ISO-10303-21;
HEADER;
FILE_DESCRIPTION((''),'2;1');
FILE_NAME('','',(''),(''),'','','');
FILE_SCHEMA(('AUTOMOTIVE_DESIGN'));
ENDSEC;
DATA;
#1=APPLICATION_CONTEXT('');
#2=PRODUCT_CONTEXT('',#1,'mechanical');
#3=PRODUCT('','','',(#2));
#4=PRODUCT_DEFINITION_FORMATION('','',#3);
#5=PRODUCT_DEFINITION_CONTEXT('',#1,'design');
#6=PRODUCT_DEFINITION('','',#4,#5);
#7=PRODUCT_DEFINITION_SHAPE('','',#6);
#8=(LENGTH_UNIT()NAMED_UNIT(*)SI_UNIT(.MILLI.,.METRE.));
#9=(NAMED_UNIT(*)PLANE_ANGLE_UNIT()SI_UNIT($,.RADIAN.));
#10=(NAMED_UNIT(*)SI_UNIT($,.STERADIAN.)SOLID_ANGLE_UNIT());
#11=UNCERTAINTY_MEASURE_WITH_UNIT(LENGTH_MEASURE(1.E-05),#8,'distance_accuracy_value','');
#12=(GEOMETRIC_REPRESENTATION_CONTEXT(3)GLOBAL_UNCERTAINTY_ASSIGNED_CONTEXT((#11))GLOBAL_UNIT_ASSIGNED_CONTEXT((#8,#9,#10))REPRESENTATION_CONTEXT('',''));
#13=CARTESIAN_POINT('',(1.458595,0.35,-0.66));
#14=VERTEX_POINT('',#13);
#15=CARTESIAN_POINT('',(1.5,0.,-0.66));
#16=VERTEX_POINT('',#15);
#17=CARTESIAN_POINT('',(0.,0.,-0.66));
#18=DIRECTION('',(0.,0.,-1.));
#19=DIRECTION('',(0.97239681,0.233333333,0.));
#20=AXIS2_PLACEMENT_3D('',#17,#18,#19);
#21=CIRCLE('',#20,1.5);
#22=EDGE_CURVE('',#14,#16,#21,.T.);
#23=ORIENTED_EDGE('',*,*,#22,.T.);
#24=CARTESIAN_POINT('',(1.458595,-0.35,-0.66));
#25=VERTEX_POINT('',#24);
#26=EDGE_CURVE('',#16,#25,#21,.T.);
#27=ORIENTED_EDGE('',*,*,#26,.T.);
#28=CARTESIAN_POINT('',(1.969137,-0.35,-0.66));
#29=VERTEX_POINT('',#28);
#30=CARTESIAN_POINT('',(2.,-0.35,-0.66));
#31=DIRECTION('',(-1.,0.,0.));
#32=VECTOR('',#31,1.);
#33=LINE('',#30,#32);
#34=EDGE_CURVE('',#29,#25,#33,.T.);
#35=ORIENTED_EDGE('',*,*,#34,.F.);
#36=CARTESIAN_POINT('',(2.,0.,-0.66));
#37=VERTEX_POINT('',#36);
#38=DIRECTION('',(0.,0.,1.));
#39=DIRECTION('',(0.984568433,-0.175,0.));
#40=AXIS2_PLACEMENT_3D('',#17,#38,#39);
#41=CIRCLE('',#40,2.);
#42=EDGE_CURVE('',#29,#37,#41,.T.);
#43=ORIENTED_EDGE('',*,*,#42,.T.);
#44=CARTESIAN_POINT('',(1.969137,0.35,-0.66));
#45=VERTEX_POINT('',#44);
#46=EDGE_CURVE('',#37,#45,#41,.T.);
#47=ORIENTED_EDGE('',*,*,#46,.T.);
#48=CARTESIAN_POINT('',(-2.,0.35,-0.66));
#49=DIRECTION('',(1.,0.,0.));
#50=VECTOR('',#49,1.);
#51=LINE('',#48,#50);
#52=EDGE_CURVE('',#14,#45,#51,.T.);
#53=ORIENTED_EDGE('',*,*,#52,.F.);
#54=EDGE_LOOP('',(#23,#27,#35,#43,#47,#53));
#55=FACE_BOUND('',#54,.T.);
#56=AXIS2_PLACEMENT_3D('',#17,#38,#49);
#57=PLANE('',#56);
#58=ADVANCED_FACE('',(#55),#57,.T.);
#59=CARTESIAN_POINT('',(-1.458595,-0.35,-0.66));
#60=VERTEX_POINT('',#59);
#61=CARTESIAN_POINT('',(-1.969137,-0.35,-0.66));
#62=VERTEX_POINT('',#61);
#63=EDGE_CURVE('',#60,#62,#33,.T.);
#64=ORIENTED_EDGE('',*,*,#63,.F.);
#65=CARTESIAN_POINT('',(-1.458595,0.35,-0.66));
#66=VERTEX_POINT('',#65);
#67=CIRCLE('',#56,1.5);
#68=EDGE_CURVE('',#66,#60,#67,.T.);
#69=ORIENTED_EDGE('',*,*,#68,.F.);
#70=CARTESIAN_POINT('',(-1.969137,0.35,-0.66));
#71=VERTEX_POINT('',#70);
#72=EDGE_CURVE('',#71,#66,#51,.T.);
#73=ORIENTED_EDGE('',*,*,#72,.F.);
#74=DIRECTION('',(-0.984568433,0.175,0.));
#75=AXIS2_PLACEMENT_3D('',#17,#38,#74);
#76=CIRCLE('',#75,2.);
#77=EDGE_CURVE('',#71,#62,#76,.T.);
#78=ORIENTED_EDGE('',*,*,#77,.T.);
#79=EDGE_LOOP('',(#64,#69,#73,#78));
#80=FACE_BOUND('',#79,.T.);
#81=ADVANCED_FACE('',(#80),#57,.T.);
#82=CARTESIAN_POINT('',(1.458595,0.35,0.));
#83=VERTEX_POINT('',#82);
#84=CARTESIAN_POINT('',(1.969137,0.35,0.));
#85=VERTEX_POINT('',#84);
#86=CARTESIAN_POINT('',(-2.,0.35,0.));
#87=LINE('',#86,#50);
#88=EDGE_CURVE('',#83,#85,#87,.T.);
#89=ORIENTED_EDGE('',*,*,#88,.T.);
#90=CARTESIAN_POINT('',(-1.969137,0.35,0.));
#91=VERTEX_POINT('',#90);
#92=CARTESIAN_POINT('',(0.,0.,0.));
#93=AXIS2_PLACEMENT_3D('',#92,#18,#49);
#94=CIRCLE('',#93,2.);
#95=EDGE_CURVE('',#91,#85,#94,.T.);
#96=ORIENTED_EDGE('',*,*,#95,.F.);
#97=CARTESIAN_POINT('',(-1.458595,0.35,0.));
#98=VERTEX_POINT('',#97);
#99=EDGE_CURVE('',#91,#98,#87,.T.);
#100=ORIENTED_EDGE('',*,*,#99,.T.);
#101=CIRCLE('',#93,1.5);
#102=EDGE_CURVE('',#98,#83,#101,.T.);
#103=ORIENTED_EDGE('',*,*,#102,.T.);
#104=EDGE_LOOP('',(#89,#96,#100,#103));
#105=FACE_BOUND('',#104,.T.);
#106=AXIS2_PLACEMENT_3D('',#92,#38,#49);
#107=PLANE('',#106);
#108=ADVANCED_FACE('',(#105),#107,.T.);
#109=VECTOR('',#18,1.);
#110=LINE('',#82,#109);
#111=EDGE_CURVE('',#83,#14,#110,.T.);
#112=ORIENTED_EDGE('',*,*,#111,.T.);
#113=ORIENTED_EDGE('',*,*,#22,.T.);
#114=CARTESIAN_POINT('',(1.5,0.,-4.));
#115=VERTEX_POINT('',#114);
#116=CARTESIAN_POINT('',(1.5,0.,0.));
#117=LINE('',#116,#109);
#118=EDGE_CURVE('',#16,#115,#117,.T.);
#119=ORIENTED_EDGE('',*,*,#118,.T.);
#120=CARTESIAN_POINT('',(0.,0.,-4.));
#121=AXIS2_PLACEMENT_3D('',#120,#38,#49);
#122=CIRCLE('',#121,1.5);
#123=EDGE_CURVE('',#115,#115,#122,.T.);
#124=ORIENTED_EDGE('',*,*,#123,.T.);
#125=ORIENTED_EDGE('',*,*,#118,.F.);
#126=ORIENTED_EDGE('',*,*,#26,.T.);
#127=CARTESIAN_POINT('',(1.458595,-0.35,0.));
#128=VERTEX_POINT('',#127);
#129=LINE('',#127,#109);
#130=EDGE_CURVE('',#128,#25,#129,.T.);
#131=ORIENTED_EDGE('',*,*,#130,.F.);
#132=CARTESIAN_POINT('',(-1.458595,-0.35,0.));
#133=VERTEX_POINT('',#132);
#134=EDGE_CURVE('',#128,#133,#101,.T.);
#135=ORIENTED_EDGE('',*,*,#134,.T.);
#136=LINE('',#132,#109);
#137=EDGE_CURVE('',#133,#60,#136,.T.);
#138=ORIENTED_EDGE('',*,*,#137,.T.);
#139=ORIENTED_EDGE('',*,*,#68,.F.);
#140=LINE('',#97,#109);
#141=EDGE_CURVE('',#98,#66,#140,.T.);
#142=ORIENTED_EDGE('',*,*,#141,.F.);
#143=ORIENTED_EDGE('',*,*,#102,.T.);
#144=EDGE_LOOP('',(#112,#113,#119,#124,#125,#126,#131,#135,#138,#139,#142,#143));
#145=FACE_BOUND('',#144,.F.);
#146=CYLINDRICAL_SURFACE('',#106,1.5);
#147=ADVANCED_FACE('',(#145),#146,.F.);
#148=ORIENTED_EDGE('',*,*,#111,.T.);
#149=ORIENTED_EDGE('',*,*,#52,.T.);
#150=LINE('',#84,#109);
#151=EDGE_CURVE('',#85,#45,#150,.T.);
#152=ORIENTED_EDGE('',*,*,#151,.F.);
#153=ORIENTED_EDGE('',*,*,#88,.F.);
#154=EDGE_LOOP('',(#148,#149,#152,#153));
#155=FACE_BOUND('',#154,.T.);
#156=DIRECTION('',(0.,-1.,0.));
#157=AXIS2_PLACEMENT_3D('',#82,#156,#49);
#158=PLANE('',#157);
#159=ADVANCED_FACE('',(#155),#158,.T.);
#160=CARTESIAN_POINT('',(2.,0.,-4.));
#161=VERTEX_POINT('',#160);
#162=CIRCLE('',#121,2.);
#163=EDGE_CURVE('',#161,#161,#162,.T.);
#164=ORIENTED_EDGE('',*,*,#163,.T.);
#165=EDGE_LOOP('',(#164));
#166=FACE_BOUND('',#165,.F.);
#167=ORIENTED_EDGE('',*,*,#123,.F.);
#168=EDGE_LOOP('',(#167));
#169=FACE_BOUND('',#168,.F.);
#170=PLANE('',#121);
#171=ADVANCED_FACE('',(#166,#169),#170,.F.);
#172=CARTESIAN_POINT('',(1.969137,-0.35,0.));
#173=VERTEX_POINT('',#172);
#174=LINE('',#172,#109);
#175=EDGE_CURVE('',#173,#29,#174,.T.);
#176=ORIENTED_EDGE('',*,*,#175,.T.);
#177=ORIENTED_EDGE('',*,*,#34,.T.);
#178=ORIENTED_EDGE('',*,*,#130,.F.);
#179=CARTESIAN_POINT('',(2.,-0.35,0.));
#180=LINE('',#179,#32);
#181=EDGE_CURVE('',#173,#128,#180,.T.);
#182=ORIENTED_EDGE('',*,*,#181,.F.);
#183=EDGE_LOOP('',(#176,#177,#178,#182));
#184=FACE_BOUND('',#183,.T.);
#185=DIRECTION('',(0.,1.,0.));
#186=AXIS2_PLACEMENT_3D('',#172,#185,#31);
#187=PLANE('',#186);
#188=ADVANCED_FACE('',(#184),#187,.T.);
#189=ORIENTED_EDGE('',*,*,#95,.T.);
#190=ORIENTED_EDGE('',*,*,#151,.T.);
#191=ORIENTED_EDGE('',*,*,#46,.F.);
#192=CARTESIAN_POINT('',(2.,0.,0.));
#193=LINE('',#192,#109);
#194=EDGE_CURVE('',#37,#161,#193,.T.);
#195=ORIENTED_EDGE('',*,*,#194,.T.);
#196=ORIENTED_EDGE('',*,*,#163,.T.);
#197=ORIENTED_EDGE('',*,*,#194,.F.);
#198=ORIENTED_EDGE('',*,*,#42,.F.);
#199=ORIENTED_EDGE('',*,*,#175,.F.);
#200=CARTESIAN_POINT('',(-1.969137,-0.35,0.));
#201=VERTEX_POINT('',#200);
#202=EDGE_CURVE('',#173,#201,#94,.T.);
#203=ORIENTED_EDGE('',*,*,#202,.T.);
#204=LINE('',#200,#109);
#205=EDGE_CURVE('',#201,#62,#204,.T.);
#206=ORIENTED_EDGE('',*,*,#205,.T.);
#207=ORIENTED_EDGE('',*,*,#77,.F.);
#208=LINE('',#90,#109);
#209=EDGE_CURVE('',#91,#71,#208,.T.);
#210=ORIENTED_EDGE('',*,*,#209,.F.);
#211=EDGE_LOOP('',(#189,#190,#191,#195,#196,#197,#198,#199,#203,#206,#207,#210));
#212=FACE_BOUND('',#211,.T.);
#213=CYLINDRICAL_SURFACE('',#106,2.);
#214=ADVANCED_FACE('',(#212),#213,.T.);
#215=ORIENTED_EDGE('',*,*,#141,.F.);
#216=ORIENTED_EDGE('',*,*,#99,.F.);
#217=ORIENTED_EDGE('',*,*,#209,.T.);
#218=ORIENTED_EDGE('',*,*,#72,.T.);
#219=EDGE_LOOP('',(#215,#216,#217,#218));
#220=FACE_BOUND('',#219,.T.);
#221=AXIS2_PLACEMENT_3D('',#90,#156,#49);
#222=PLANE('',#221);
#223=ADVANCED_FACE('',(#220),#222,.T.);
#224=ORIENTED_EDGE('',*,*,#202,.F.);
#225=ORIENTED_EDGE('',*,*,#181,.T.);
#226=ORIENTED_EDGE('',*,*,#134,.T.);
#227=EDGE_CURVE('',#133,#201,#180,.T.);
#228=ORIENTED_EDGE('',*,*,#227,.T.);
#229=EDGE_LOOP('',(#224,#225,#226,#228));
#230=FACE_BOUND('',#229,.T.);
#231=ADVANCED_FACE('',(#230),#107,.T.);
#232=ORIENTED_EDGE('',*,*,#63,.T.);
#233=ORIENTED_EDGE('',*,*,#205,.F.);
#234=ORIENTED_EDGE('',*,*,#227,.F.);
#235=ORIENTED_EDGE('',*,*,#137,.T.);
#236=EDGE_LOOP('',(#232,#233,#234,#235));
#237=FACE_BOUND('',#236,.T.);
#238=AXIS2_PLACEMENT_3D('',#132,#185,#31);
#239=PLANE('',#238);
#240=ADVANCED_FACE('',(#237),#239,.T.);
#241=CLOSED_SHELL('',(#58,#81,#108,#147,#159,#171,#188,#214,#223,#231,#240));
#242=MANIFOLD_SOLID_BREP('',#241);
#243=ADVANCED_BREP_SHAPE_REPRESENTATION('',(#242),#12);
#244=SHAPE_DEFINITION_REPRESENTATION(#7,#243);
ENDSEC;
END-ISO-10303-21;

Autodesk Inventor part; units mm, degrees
ref_plane "YZ Plane" through (0, 0, 0) normal (1, 0, 0) x (0, 1, 0)
ref_plane "XZ Plane" through (0, 0, 0) normal (0, 1, 0) x (-1, 0, 0)
ref_plane "XY Plane" through (0, 0, 0) normal (0, 0, 1) x (1, 0, 0)
sketch "スケッチ1" plane through (0, 0, 0) normal (0, 0, 1) x (1, 0, 0)
  circle A0 centre (0, 0) radius 2
  circle A1 centre (0, 0) radius 1.5
  line L0 (-2, 0.35) -> (2, 0.35)
  line L1 (2, 0.35) -> (2, -0.35)
  line L2 (2, -0.35) -> (-2, -0.35)
  line L3 (-2, -0.35) -> (-2, 0.35)
  line L4 (-2, 0.35) -> (2, -0.35) construction
  line L5 (2, 0.35) -> (-2, -0.35) construction
  point P0 (1.4586, -0.35)
  point P1 (1.9691, -0.35)
  point P2 (1.9691, 0.35)
  point P3 (1.4586, 0.35)
  point P4 (-1.9691, -0.35)
  point P5 (-1.4586, -0.35)
  point P6 (-1.4586, 0.35)
  point P7 (-1.9691, 0.35)
  dimension "d0" = 4
  dimension "d1" = 3
  dimension "d8" = 0.7
extrude "押し出し1" add sketch "スケッチ1" against normal blind 4 contours A0 L2 A1 L0 | L0 A1 A0 | A0 L2 A1 | L0 A1 L2 A0
thread "ねじ1" size "M3x0.5" class "6H" standard "ANSI Metric M Profile" full length
thread "ねじ2" size "M4x0.5" class "6g" standard "ANSI Metric M Profile" full length
extrude "押し出し2" cut sketch "スケッチ1" against normal blind 0.66 contours A0 L2 A1 L0 | L0 A1 L2 A0
properties part number "IRU-304S" material "ステンレス鋼 AISI 304"
